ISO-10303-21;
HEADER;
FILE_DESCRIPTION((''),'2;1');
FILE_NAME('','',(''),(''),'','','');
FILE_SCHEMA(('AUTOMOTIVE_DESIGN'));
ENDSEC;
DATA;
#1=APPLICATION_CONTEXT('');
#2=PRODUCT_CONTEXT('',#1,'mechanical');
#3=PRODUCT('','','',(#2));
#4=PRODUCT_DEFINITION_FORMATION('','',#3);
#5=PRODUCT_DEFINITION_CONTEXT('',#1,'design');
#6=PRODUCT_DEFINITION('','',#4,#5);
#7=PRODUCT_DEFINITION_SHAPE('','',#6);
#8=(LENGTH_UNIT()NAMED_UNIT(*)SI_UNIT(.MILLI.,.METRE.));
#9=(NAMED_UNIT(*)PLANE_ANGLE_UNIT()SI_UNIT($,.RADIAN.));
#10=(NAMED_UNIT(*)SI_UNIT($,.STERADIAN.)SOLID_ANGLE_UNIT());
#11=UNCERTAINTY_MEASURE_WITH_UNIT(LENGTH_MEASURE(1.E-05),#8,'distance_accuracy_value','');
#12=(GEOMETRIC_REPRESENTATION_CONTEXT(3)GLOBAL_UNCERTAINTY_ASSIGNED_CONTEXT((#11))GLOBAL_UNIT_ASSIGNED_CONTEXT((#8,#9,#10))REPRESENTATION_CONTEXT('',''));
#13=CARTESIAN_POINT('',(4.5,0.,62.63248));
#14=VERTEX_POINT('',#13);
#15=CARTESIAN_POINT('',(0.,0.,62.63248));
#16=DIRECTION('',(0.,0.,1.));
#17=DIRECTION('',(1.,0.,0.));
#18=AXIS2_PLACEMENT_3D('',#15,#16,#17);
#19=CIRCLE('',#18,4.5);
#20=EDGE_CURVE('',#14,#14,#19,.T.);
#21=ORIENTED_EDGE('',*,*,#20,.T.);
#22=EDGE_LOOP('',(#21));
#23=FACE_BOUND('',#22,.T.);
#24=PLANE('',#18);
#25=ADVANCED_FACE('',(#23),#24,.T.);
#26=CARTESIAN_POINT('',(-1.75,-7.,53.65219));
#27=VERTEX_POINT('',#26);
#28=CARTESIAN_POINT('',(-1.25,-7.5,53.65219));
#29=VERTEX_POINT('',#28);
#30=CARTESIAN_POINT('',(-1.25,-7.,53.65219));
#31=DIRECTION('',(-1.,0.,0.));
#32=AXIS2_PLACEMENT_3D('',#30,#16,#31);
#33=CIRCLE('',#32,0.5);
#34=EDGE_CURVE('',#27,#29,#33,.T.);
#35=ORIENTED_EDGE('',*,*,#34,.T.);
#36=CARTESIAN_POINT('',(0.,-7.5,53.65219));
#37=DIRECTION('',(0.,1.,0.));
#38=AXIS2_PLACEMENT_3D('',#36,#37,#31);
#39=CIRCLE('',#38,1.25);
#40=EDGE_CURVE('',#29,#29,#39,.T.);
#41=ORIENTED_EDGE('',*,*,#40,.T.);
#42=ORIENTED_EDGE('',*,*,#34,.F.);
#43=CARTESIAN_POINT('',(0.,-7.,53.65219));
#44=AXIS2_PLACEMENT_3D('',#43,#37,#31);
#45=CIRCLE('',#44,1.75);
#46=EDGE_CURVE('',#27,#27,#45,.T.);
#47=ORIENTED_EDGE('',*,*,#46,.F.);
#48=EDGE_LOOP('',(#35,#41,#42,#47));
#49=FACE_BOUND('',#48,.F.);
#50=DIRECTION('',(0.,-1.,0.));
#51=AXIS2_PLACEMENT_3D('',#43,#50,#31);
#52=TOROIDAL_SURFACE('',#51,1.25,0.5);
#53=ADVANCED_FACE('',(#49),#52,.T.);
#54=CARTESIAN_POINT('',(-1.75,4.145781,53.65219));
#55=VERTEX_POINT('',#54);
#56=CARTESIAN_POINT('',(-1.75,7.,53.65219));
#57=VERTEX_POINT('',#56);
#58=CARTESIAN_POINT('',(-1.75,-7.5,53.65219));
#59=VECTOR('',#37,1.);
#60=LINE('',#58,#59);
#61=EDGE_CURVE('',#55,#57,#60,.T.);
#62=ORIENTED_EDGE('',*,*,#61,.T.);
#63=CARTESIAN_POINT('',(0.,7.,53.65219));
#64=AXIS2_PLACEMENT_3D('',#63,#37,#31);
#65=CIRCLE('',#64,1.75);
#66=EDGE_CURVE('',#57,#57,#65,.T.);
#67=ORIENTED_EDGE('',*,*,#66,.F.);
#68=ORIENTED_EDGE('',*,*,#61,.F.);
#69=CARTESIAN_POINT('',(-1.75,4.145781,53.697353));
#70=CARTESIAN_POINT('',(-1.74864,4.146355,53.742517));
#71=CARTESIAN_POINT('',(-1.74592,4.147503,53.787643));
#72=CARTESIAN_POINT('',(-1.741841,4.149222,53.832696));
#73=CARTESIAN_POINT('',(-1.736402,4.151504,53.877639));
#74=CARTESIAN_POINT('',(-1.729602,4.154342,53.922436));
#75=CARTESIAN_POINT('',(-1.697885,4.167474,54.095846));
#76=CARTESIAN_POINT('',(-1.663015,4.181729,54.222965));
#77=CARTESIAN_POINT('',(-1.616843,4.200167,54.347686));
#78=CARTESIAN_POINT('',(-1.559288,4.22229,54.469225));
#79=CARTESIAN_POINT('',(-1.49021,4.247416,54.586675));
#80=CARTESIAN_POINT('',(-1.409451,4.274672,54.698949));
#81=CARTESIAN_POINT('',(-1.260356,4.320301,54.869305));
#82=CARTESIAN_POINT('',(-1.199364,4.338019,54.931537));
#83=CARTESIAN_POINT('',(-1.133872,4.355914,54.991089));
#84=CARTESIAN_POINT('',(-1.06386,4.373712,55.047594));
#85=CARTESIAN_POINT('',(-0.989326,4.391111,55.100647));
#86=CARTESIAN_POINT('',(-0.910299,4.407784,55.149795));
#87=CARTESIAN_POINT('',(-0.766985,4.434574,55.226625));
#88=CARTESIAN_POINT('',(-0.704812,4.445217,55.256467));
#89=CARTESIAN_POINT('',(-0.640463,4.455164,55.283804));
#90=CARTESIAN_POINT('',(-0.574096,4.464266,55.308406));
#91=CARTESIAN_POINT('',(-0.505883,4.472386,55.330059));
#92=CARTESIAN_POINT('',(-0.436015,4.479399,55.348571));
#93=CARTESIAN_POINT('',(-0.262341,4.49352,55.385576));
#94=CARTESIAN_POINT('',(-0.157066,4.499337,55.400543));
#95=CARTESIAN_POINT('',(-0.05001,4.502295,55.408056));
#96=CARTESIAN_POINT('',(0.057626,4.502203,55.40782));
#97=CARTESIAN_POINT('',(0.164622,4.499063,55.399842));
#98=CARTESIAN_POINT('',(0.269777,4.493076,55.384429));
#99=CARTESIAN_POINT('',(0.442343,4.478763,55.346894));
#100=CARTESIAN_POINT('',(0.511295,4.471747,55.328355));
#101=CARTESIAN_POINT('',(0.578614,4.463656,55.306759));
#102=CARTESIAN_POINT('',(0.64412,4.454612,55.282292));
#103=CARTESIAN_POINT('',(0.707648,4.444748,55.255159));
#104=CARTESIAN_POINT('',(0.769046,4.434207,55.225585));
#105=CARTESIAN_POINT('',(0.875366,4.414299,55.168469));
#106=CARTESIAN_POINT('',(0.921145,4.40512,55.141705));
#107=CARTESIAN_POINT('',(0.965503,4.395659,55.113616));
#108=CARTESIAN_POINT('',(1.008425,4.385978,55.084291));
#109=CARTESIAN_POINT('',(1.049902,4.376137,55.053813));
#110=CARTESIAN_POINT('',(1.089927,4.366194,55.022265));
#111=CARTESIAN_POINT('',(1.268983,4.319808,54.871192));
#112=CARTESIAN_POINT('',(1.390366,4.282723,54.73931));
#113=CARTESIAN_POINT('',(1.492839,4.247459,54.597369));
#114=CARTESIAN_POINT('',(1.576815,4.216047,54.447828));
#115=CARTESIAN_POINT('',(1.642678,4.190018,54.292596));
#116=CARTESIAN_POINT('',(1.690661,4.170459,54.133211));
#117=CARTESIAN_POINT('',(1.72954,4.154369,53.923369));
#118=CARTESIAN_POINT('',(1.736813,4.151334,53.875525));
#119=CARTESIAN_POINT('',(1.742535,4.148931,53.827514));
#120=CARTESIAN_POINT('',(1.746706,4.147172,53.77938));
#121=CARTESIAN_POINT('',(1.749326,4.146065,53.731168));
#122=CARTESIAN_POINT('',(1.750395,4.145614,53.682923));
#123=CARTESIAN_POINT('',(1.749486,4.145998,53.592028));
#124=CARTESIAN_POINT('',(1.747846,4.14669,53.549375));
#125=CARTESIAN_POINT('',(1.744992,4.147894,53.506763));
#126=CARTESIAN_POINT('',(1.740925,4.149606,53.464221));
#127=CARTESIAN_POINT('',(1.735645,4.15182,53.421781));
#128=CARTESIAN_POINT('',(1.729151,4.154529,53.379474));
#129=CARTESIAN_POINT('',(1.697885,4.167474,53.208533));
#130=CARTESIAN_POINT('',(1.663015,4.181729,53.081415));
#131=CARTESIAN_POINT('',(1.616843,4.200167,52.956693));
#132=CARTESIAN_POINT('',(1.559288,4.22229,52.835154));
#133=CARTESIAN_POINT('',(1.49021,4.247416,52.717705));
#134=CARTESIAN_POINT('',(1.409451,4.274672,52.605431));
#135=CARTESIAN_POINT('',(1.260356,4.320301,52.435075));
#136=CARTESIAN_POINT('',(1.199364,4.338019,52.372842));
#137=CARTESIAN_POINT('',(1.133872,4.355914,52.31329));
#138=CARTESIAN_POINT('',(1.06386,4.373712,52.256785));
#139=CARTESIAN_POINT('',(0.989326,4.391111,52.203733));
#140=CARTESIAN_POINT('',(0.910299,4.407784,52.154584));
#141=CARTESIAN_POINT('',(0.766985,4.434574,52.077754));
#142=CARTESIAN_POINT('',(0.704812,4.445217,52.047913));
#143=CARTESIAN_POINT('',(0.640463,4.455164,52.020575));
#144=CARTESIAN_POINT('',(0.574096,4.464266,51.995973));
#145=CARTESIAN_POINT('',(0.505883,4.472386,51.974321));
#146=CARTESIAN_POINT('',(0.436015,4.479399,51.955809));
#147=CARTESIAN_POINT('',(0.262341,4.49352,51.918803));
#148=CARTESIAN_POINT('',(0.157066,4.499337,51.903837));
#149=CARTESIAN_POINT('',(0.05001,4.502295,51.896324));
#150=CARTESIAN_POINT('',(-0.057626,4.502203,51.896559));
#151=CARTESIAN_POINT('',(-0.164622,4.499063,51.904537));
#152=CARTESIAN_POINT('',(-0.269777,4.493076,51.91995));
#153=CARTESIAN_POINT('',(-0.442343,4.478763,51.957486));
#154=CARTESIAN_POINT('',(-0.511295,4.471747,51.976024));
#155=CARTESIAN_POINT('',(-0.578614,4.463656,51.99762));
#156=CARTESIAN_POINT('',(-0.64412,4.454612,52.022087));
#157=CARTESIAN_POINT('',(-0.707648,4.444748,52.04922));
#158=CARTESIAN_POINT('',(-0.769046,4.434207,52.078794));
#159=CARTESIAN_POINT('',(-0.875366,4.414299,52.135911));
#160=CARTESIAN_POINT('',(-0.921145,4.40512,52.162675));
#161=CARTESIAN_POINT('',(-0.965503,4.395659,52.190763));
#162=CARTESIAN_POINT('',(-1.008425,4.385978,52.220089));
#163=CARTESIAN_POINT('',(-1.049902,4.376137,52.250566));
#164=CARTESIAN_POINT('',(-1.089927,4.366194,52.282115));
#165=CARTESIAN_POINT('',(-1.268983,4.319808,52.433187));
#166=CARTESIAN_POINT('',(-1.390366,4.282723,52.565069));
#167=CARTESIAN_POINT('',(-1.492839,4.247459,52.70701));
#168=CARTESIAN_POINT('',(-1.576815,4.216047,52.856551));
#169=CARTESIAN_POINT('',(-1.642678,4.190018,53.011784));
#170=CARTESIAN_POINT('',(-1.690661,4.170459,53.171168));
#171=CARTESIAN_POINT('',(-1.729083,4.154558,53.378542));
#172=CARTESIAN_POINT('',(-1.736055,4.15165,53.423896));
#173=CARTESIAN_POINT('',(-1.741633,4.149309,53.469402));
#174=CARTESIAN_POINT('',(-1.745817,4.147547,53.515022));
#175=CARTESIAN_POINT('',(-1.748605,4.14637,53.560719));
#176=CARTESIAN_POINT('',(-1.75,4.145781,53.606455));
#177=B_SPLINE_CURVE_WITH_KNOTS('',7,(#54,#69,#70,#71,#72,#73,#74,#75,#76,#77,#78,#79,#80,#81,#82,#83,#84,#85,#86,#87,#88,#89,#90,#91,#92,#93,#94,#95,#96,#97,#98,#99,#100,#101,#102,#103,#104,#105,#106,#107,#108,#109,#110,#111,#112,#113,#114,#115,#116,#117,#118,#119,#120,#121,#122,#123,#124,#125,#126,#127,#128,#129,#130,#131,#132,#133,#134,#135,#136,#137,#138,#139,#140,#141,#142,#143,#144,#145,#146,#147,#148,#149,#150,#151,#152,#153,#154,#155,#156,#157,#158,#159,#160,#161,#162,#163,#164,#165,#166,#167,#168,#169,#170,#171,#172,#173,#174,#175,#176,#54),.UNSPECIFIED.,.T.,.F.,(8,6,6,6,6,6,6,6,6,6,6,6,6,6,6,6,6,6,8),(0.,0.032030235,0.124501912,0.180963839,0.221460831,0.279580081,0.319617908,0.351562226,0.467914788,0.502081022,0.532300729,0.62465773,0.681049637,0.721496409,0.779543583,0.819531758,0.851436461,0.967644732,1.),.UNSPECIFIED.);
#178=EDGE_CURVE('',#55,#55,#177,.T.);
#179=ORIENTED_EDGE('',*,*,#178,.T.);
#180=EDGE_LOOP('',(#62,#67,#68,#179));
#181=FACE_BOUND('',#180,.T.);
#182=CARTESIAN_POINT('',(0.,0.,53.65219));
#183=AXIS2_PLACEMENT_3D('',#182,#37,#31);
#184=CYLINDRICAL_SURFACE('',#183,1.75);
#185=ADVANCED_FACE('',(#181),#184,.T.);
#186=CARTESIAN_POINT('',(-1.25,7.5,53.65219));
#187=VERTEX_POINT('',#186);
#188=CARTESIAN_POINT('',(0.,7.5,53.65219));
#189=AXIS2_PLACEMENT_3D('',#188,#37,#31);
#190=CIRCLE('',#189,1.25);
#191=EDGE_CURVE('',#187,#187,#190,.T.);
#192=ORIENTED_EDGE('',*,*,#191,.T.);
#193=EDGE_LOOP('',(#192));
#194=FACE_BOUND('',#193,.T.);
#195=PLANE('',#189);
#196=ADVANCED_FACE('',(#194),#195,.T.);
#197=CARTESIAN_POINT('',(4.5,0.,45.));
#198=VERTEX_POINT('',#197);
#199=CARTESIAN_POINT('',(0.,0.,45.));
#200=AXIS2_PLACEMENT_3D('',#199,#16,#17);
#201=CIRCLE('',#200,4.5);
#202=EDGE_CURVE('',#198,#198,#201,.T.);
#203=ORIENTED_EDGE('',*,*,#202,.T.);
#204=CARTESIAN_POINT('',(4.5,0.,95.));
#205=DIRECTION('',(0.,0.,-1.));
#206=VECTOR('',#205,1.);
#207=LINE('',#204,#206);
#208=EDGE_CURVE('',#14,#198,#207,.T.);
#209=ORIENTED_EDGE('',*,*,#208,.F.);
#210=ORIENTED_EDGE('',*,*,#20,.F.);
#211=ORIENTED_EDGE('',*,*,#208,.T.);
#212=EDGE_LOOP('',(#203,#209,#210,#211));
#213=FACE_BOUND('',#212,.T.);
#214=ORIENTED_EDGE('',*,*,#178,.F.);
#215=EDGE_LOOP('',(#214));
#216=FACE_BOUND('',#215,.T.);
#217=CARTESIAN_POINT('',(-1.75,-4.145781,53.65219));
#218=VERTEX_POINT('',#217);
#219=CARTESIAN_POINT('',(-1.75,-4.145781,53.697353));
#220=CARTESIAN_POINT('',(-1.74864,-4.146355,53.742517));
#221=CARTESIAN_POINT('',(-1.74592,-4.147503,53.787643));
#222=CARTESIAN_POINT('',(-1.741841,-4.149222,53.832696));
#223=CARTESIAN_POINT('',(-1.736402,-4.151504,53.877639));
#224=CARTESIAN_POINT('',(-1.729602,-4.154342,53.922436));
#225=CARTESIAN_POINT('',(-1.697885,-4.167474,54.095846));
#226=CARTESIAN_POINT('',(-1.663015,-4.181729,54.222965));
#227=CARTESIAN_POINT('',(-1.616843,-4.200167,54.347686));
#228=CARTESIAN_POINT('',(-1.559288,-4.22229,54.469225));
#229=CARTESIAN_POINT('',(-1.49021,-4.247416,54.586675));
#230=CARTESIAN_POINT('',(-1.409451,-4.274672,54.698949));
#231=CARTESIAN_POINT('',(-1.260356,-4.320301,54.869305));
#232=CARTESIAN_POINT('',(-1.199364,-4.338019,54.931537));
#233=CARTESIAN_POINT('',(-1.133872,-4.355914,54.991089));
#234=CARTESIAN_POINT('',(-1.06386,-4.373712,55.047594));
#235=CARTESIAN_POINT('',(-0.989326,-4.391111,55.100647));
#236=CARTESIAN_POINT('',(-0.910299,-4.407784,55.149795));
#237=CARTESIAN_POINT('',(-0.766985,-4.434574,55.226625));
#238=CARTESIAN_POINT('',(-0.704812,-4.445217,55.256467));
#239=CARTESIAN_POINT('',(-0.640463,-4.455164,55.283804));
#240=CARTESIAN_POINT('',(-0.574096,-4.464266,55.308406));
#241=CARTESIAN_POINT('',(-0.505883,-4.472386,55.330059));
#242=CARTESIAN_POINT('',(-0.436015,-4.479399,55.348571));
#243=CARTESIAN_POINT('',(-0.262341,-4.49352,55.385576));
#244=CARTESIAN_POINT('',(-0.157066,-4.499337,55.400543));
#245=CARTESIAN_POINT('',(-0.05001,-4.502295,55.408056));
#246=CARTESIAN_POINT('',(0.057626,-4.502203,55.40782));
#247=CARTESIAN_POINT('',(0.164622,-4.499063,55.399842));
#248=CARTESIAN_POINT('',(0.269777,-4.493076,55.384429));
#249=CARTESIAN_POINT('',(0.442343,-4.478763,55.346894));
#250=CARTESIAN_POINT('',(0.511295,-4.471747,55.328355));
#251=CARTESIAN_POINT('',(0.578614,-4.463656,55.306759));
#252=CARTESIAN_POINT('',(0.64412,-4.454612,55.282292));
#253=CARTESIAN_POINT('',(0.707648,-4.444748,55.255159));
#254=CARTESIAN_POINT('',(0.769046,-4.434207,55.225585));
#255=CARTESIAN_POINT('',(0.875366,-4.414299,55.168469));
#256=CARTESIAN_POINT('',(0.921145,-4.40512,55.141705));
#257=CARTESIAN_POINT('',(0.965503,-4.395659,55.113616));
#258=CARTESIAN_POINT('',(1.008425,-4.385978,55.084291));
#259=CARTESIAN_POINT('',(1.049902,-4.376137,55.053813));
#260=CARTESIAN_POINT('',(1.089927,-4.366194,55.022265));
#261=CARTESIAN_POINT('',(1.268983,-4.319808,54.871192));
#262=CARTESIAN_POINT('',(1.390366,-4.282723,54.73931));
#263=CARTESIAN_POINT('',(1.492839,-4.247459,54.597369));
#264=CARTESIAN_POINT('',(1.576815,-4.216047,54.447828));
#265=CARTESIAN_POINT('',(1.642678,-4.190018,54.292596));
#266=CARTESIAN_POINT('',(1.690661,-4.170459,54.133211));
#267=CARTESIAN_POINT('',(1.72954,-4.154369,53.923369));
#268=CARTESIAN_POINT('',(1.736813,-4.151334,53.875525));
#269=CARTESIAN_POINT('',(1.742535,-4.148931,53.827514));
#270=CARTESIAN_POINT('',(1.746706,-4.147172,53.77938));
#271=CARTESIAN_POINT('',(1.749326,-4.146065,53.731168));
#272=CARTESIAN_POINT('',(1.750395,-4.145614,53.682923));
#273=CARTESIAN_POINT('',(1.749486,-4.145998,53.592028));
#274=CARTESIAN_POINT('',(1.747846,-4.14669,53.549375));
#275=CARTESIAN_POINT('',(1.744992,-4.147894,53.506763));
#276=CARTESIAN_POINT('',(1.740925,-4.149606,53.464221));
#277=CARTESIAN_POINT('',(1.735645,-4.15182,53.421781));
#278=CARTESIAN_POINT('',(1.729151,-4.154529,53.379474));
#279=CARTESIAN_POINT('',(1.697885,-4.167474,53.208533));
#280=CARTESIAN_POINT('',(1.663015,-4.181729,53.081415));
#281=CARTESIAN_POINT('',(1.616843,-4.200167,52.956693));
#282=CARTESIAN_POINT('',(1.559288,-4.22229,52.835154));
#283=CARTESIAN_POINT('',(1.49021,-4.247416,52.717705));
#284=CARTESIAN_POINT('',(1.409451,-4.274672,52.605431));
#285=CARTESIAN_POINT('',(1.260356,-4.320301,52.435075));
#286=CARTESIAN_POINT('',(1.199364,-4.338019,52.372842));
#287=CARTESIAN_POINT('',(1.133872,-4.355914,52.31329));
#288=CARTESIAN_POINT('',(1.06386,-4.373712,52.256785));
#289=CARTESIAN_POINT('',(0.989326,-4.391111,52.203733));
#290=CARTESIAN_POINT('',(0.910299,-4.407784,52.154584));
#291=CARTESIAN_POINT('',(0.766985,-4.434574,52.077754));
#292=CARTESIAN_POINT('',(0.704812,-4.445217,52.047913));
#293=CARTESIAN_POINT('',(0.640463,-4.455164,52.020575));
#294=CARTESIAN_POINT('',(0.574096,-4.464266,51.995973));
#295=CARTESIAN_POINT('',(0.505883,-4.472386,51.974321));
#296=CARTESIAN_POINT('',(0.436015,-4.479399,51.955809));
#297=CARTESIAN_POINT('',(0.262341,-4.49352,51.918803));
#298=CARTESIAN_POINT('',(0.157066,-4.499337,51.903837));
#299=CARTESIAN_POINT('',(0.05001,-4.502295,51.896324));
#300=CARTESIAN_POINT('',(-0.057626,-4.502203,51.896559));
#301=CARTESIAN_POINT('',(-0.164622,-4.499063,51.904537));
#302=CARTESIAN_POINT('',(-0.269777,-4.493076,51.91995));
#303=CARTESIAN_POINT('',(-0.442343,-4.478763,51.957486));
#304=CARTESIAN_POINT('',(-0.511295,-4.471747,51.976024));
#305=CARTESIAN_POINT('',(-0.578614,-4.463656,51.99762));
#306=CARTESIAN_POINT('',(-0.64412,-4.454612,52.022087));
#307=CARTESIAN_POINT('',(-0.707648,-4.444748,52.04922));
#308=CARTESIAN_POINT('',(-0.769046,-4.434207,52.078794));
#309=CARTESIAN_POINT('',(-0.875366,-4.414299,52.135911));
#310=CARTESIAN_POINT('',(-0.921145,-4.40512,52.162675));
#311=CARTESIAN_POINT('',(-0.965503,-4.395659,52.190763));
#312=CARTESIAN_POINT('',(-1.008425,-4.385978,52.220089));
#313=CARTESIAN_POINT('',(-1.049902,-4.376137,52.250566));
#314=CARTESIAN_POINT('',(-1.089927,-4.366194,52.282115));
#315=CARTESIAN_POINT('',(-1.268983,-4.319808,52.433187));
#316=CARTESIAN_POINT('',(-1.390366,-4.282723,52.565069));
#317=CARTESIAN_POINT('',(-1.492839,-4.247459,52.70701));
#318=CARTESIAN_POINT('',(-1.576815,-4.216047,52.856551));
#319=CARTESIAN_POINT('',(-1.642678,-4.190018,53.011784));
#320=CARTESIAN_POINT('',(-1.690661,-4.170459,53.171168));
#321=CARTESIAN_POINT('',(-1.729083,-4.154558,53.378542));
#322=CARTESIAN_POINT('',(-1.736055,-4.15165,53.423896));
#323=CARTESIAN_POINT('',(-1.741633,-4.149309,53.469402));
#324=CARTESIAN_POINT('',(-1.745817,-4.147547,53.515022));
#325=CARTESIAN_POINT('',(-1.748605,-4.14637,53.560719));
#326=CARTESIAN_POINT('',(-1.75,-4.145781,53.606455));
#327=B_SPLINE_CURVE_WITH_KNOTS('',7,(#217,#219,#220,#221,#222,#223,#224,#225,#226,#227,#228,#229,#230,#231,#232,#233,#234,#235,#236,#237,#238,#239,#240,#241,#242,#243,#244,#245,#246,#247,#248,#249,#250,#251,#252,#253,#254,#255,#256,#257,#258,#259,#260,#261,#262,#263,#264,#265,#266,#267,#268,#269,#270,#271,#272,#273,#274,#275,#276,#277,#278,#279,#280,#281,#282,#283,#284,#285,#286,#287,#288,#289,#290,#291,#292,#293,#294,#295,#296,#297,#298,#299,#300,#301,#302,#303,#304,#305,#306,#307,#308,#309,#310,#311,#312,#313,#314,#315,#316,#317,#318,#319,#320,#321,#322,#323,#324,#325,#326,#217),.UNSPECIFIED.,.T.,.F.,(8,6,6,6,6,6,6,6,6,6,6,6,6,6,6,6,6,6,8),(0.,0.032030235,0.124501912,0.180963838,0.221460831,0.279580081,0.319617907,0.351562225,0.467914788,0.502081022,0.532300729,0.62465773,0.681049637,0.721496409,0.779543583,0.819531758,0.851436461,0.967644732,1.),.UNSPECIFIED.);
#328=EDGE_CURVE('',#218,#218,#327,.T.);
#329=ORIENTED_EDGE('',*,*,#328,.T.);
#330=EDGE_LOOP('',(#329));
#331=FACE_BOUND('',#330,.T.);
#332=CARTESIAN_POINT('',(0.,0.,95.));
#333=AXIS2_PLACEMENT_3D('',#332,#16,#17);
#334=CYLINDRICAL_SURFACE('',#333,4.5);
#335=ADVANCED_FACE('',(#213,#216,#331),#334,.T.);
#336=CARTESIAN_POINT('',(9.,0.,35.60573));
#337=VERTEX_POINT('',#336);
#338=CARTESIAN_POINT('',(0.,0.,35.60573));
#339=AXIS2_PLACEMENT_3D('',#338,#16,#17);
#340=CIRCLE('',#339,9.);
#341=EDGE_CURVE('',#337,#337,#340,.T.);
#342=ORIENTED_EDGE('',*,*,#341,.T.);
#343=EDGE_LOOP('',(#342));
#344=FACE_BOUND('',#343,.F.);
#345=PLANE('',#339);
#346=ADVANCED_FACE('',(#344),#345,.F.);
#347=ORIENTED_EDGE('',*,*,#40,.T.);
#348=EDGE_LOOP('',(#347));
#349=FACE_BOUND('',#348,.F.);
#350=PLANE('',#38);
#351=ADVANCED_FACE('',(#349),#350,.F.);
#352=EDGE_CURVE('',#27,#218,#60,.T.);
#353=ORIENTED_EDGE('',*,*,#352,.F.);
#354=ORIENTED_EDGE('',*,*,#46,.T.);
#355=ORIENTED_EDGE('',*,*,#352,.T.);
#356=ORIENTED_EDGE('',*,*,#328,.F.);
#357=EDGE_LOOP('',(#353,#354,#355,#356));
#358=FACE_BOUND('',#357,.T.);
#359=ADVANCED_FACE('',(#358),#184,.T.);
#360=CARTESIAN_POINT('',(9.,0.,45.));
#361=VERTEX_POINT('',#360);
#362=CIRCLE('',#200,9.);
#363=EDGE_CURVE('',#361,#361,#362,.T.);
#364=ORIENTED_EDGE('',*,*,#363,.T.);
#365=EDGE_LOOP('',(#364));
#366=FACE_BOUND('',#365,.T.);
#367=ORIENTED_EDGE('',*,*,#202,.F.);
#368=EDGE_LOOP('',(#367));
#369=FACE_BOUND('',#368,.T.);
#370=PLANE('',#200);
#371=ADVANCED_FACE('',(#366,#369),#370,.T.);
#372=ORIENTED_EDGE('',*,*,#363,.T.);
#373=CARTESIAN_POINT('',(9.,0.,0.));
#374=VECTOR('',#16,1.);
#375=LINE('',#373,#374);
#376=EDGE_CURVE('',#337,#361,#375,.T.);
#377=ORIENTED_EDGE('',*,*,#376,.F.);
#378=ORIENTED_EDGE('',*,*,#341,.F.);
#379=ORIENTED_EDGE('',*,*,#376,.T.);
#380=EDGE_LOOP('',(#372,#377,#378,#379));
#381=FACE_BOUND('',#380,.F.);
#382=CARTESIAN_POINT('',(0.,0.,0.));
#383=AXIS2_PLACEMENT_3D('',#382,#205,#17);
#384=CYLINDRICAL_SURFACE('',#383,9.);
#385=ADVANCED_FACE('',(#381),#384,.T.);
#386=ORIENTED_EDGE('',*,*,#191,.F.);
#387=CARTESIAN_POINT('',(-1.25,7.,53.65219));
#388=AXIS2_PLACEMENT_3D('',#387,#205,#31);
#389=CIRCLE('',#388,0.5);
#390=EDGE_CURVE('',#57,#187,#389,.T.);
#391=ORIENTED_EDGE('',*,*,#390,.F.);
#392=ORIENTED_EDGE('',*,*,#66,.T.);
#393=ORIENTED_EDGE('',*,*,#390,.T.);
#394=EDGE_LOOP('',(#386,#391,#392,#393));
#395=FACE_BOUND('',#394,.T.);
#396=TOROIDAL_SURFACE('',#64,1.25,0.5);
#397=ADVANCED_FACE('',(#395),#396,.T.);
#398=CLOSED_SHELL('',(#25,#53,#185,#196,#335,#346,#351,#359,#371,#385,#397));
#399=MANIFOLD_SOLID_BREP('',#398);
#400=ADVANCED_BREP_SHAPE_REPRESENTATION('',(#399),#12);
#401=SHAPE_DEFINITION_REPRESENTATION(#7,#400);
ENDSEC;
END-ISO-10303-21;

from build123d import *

# Parameters (mm, degrees)
F0_R      = 9
F1_DEPTH  = 45
F2_R      = 4.5
F3_DEPTH  = 25
F6_DEPTH  = 25
F7_R      = 1.75
F8_DEPTH  = 7.5
F9_R      = 0.5
F10_R     = 0.5
F11_DEPTH = 32
F12_DEPTH = 32.36752
F13_DEPTH = 35.60573


with BuildPart() as f1:
    # F0 (on Top) → F1 (new body)
    with BuildSketch(Plane.XY):
        Circle(F0_R)
    extrude(amount=F1_DEPTH)

    # F2 (on face) → F3 (join)
    with BuildSketch(Plane.XY.offset(45)):
        Circle(F2_R)
    extrude(amount=F3_DEPTH)

    # F6 (add): a face of the model
    f6_faces = [f1.faces().sort_by_distance(p)[0] for p in [
        (0, 0, 70),
    ]]
    extrude(f6_faces, amount=F6_DEPTH)

    # F7 (on line) → F8 (join, symmetric)
    with BuildSketch(Plane(origin=(0, 0, 0), x_dir=(-1, 0, 0), z_dir=(0, 1, 0))):
        with Locations((0, 53.652189672)):
            Circle(F7_R)
    extrude(amount=F8_DEPTH, both=True)

    # F9
    f9_edges = [f1.edges().sort_by_distance(p)[0] for p in [
        (1.75, -7.5, 53.65219),
    ]]
    fillet(f9_edges, radius=F9_R)

    # F10
    f10_edges = [f1.edges().sort_by_distance(p)[0] for p in [
        (1.75, 7.5, 53.65219),
    ]]
    fillet(f10_edges, radius=F10_R)

    # F11 (add): a face of the model
    f11_faces = [f1.faces().sort_by_distance(p)[0] for p in [
        (0, 0, 95),
    ]]
    extrude(f11_faces, amount=-F11_DEPTH)

    # F12 (cut): a face of the model
    f12_faces = [f1.faces().sort_by_distance(p)[0] for p in [
        (0, 0, 95),
    ]]
    extrude(f12_faces, amount=-F12_DEPTH, mode=Mode.SUBTRACT)

    # F0 (on Top) → F13 (cut)
    with BuildSketch(Plane.XY):
        Circle(F0_R)
    extrude(amount=F13_DEPTH, mode=Mode.SUBTRACT)


solid = f1.part
